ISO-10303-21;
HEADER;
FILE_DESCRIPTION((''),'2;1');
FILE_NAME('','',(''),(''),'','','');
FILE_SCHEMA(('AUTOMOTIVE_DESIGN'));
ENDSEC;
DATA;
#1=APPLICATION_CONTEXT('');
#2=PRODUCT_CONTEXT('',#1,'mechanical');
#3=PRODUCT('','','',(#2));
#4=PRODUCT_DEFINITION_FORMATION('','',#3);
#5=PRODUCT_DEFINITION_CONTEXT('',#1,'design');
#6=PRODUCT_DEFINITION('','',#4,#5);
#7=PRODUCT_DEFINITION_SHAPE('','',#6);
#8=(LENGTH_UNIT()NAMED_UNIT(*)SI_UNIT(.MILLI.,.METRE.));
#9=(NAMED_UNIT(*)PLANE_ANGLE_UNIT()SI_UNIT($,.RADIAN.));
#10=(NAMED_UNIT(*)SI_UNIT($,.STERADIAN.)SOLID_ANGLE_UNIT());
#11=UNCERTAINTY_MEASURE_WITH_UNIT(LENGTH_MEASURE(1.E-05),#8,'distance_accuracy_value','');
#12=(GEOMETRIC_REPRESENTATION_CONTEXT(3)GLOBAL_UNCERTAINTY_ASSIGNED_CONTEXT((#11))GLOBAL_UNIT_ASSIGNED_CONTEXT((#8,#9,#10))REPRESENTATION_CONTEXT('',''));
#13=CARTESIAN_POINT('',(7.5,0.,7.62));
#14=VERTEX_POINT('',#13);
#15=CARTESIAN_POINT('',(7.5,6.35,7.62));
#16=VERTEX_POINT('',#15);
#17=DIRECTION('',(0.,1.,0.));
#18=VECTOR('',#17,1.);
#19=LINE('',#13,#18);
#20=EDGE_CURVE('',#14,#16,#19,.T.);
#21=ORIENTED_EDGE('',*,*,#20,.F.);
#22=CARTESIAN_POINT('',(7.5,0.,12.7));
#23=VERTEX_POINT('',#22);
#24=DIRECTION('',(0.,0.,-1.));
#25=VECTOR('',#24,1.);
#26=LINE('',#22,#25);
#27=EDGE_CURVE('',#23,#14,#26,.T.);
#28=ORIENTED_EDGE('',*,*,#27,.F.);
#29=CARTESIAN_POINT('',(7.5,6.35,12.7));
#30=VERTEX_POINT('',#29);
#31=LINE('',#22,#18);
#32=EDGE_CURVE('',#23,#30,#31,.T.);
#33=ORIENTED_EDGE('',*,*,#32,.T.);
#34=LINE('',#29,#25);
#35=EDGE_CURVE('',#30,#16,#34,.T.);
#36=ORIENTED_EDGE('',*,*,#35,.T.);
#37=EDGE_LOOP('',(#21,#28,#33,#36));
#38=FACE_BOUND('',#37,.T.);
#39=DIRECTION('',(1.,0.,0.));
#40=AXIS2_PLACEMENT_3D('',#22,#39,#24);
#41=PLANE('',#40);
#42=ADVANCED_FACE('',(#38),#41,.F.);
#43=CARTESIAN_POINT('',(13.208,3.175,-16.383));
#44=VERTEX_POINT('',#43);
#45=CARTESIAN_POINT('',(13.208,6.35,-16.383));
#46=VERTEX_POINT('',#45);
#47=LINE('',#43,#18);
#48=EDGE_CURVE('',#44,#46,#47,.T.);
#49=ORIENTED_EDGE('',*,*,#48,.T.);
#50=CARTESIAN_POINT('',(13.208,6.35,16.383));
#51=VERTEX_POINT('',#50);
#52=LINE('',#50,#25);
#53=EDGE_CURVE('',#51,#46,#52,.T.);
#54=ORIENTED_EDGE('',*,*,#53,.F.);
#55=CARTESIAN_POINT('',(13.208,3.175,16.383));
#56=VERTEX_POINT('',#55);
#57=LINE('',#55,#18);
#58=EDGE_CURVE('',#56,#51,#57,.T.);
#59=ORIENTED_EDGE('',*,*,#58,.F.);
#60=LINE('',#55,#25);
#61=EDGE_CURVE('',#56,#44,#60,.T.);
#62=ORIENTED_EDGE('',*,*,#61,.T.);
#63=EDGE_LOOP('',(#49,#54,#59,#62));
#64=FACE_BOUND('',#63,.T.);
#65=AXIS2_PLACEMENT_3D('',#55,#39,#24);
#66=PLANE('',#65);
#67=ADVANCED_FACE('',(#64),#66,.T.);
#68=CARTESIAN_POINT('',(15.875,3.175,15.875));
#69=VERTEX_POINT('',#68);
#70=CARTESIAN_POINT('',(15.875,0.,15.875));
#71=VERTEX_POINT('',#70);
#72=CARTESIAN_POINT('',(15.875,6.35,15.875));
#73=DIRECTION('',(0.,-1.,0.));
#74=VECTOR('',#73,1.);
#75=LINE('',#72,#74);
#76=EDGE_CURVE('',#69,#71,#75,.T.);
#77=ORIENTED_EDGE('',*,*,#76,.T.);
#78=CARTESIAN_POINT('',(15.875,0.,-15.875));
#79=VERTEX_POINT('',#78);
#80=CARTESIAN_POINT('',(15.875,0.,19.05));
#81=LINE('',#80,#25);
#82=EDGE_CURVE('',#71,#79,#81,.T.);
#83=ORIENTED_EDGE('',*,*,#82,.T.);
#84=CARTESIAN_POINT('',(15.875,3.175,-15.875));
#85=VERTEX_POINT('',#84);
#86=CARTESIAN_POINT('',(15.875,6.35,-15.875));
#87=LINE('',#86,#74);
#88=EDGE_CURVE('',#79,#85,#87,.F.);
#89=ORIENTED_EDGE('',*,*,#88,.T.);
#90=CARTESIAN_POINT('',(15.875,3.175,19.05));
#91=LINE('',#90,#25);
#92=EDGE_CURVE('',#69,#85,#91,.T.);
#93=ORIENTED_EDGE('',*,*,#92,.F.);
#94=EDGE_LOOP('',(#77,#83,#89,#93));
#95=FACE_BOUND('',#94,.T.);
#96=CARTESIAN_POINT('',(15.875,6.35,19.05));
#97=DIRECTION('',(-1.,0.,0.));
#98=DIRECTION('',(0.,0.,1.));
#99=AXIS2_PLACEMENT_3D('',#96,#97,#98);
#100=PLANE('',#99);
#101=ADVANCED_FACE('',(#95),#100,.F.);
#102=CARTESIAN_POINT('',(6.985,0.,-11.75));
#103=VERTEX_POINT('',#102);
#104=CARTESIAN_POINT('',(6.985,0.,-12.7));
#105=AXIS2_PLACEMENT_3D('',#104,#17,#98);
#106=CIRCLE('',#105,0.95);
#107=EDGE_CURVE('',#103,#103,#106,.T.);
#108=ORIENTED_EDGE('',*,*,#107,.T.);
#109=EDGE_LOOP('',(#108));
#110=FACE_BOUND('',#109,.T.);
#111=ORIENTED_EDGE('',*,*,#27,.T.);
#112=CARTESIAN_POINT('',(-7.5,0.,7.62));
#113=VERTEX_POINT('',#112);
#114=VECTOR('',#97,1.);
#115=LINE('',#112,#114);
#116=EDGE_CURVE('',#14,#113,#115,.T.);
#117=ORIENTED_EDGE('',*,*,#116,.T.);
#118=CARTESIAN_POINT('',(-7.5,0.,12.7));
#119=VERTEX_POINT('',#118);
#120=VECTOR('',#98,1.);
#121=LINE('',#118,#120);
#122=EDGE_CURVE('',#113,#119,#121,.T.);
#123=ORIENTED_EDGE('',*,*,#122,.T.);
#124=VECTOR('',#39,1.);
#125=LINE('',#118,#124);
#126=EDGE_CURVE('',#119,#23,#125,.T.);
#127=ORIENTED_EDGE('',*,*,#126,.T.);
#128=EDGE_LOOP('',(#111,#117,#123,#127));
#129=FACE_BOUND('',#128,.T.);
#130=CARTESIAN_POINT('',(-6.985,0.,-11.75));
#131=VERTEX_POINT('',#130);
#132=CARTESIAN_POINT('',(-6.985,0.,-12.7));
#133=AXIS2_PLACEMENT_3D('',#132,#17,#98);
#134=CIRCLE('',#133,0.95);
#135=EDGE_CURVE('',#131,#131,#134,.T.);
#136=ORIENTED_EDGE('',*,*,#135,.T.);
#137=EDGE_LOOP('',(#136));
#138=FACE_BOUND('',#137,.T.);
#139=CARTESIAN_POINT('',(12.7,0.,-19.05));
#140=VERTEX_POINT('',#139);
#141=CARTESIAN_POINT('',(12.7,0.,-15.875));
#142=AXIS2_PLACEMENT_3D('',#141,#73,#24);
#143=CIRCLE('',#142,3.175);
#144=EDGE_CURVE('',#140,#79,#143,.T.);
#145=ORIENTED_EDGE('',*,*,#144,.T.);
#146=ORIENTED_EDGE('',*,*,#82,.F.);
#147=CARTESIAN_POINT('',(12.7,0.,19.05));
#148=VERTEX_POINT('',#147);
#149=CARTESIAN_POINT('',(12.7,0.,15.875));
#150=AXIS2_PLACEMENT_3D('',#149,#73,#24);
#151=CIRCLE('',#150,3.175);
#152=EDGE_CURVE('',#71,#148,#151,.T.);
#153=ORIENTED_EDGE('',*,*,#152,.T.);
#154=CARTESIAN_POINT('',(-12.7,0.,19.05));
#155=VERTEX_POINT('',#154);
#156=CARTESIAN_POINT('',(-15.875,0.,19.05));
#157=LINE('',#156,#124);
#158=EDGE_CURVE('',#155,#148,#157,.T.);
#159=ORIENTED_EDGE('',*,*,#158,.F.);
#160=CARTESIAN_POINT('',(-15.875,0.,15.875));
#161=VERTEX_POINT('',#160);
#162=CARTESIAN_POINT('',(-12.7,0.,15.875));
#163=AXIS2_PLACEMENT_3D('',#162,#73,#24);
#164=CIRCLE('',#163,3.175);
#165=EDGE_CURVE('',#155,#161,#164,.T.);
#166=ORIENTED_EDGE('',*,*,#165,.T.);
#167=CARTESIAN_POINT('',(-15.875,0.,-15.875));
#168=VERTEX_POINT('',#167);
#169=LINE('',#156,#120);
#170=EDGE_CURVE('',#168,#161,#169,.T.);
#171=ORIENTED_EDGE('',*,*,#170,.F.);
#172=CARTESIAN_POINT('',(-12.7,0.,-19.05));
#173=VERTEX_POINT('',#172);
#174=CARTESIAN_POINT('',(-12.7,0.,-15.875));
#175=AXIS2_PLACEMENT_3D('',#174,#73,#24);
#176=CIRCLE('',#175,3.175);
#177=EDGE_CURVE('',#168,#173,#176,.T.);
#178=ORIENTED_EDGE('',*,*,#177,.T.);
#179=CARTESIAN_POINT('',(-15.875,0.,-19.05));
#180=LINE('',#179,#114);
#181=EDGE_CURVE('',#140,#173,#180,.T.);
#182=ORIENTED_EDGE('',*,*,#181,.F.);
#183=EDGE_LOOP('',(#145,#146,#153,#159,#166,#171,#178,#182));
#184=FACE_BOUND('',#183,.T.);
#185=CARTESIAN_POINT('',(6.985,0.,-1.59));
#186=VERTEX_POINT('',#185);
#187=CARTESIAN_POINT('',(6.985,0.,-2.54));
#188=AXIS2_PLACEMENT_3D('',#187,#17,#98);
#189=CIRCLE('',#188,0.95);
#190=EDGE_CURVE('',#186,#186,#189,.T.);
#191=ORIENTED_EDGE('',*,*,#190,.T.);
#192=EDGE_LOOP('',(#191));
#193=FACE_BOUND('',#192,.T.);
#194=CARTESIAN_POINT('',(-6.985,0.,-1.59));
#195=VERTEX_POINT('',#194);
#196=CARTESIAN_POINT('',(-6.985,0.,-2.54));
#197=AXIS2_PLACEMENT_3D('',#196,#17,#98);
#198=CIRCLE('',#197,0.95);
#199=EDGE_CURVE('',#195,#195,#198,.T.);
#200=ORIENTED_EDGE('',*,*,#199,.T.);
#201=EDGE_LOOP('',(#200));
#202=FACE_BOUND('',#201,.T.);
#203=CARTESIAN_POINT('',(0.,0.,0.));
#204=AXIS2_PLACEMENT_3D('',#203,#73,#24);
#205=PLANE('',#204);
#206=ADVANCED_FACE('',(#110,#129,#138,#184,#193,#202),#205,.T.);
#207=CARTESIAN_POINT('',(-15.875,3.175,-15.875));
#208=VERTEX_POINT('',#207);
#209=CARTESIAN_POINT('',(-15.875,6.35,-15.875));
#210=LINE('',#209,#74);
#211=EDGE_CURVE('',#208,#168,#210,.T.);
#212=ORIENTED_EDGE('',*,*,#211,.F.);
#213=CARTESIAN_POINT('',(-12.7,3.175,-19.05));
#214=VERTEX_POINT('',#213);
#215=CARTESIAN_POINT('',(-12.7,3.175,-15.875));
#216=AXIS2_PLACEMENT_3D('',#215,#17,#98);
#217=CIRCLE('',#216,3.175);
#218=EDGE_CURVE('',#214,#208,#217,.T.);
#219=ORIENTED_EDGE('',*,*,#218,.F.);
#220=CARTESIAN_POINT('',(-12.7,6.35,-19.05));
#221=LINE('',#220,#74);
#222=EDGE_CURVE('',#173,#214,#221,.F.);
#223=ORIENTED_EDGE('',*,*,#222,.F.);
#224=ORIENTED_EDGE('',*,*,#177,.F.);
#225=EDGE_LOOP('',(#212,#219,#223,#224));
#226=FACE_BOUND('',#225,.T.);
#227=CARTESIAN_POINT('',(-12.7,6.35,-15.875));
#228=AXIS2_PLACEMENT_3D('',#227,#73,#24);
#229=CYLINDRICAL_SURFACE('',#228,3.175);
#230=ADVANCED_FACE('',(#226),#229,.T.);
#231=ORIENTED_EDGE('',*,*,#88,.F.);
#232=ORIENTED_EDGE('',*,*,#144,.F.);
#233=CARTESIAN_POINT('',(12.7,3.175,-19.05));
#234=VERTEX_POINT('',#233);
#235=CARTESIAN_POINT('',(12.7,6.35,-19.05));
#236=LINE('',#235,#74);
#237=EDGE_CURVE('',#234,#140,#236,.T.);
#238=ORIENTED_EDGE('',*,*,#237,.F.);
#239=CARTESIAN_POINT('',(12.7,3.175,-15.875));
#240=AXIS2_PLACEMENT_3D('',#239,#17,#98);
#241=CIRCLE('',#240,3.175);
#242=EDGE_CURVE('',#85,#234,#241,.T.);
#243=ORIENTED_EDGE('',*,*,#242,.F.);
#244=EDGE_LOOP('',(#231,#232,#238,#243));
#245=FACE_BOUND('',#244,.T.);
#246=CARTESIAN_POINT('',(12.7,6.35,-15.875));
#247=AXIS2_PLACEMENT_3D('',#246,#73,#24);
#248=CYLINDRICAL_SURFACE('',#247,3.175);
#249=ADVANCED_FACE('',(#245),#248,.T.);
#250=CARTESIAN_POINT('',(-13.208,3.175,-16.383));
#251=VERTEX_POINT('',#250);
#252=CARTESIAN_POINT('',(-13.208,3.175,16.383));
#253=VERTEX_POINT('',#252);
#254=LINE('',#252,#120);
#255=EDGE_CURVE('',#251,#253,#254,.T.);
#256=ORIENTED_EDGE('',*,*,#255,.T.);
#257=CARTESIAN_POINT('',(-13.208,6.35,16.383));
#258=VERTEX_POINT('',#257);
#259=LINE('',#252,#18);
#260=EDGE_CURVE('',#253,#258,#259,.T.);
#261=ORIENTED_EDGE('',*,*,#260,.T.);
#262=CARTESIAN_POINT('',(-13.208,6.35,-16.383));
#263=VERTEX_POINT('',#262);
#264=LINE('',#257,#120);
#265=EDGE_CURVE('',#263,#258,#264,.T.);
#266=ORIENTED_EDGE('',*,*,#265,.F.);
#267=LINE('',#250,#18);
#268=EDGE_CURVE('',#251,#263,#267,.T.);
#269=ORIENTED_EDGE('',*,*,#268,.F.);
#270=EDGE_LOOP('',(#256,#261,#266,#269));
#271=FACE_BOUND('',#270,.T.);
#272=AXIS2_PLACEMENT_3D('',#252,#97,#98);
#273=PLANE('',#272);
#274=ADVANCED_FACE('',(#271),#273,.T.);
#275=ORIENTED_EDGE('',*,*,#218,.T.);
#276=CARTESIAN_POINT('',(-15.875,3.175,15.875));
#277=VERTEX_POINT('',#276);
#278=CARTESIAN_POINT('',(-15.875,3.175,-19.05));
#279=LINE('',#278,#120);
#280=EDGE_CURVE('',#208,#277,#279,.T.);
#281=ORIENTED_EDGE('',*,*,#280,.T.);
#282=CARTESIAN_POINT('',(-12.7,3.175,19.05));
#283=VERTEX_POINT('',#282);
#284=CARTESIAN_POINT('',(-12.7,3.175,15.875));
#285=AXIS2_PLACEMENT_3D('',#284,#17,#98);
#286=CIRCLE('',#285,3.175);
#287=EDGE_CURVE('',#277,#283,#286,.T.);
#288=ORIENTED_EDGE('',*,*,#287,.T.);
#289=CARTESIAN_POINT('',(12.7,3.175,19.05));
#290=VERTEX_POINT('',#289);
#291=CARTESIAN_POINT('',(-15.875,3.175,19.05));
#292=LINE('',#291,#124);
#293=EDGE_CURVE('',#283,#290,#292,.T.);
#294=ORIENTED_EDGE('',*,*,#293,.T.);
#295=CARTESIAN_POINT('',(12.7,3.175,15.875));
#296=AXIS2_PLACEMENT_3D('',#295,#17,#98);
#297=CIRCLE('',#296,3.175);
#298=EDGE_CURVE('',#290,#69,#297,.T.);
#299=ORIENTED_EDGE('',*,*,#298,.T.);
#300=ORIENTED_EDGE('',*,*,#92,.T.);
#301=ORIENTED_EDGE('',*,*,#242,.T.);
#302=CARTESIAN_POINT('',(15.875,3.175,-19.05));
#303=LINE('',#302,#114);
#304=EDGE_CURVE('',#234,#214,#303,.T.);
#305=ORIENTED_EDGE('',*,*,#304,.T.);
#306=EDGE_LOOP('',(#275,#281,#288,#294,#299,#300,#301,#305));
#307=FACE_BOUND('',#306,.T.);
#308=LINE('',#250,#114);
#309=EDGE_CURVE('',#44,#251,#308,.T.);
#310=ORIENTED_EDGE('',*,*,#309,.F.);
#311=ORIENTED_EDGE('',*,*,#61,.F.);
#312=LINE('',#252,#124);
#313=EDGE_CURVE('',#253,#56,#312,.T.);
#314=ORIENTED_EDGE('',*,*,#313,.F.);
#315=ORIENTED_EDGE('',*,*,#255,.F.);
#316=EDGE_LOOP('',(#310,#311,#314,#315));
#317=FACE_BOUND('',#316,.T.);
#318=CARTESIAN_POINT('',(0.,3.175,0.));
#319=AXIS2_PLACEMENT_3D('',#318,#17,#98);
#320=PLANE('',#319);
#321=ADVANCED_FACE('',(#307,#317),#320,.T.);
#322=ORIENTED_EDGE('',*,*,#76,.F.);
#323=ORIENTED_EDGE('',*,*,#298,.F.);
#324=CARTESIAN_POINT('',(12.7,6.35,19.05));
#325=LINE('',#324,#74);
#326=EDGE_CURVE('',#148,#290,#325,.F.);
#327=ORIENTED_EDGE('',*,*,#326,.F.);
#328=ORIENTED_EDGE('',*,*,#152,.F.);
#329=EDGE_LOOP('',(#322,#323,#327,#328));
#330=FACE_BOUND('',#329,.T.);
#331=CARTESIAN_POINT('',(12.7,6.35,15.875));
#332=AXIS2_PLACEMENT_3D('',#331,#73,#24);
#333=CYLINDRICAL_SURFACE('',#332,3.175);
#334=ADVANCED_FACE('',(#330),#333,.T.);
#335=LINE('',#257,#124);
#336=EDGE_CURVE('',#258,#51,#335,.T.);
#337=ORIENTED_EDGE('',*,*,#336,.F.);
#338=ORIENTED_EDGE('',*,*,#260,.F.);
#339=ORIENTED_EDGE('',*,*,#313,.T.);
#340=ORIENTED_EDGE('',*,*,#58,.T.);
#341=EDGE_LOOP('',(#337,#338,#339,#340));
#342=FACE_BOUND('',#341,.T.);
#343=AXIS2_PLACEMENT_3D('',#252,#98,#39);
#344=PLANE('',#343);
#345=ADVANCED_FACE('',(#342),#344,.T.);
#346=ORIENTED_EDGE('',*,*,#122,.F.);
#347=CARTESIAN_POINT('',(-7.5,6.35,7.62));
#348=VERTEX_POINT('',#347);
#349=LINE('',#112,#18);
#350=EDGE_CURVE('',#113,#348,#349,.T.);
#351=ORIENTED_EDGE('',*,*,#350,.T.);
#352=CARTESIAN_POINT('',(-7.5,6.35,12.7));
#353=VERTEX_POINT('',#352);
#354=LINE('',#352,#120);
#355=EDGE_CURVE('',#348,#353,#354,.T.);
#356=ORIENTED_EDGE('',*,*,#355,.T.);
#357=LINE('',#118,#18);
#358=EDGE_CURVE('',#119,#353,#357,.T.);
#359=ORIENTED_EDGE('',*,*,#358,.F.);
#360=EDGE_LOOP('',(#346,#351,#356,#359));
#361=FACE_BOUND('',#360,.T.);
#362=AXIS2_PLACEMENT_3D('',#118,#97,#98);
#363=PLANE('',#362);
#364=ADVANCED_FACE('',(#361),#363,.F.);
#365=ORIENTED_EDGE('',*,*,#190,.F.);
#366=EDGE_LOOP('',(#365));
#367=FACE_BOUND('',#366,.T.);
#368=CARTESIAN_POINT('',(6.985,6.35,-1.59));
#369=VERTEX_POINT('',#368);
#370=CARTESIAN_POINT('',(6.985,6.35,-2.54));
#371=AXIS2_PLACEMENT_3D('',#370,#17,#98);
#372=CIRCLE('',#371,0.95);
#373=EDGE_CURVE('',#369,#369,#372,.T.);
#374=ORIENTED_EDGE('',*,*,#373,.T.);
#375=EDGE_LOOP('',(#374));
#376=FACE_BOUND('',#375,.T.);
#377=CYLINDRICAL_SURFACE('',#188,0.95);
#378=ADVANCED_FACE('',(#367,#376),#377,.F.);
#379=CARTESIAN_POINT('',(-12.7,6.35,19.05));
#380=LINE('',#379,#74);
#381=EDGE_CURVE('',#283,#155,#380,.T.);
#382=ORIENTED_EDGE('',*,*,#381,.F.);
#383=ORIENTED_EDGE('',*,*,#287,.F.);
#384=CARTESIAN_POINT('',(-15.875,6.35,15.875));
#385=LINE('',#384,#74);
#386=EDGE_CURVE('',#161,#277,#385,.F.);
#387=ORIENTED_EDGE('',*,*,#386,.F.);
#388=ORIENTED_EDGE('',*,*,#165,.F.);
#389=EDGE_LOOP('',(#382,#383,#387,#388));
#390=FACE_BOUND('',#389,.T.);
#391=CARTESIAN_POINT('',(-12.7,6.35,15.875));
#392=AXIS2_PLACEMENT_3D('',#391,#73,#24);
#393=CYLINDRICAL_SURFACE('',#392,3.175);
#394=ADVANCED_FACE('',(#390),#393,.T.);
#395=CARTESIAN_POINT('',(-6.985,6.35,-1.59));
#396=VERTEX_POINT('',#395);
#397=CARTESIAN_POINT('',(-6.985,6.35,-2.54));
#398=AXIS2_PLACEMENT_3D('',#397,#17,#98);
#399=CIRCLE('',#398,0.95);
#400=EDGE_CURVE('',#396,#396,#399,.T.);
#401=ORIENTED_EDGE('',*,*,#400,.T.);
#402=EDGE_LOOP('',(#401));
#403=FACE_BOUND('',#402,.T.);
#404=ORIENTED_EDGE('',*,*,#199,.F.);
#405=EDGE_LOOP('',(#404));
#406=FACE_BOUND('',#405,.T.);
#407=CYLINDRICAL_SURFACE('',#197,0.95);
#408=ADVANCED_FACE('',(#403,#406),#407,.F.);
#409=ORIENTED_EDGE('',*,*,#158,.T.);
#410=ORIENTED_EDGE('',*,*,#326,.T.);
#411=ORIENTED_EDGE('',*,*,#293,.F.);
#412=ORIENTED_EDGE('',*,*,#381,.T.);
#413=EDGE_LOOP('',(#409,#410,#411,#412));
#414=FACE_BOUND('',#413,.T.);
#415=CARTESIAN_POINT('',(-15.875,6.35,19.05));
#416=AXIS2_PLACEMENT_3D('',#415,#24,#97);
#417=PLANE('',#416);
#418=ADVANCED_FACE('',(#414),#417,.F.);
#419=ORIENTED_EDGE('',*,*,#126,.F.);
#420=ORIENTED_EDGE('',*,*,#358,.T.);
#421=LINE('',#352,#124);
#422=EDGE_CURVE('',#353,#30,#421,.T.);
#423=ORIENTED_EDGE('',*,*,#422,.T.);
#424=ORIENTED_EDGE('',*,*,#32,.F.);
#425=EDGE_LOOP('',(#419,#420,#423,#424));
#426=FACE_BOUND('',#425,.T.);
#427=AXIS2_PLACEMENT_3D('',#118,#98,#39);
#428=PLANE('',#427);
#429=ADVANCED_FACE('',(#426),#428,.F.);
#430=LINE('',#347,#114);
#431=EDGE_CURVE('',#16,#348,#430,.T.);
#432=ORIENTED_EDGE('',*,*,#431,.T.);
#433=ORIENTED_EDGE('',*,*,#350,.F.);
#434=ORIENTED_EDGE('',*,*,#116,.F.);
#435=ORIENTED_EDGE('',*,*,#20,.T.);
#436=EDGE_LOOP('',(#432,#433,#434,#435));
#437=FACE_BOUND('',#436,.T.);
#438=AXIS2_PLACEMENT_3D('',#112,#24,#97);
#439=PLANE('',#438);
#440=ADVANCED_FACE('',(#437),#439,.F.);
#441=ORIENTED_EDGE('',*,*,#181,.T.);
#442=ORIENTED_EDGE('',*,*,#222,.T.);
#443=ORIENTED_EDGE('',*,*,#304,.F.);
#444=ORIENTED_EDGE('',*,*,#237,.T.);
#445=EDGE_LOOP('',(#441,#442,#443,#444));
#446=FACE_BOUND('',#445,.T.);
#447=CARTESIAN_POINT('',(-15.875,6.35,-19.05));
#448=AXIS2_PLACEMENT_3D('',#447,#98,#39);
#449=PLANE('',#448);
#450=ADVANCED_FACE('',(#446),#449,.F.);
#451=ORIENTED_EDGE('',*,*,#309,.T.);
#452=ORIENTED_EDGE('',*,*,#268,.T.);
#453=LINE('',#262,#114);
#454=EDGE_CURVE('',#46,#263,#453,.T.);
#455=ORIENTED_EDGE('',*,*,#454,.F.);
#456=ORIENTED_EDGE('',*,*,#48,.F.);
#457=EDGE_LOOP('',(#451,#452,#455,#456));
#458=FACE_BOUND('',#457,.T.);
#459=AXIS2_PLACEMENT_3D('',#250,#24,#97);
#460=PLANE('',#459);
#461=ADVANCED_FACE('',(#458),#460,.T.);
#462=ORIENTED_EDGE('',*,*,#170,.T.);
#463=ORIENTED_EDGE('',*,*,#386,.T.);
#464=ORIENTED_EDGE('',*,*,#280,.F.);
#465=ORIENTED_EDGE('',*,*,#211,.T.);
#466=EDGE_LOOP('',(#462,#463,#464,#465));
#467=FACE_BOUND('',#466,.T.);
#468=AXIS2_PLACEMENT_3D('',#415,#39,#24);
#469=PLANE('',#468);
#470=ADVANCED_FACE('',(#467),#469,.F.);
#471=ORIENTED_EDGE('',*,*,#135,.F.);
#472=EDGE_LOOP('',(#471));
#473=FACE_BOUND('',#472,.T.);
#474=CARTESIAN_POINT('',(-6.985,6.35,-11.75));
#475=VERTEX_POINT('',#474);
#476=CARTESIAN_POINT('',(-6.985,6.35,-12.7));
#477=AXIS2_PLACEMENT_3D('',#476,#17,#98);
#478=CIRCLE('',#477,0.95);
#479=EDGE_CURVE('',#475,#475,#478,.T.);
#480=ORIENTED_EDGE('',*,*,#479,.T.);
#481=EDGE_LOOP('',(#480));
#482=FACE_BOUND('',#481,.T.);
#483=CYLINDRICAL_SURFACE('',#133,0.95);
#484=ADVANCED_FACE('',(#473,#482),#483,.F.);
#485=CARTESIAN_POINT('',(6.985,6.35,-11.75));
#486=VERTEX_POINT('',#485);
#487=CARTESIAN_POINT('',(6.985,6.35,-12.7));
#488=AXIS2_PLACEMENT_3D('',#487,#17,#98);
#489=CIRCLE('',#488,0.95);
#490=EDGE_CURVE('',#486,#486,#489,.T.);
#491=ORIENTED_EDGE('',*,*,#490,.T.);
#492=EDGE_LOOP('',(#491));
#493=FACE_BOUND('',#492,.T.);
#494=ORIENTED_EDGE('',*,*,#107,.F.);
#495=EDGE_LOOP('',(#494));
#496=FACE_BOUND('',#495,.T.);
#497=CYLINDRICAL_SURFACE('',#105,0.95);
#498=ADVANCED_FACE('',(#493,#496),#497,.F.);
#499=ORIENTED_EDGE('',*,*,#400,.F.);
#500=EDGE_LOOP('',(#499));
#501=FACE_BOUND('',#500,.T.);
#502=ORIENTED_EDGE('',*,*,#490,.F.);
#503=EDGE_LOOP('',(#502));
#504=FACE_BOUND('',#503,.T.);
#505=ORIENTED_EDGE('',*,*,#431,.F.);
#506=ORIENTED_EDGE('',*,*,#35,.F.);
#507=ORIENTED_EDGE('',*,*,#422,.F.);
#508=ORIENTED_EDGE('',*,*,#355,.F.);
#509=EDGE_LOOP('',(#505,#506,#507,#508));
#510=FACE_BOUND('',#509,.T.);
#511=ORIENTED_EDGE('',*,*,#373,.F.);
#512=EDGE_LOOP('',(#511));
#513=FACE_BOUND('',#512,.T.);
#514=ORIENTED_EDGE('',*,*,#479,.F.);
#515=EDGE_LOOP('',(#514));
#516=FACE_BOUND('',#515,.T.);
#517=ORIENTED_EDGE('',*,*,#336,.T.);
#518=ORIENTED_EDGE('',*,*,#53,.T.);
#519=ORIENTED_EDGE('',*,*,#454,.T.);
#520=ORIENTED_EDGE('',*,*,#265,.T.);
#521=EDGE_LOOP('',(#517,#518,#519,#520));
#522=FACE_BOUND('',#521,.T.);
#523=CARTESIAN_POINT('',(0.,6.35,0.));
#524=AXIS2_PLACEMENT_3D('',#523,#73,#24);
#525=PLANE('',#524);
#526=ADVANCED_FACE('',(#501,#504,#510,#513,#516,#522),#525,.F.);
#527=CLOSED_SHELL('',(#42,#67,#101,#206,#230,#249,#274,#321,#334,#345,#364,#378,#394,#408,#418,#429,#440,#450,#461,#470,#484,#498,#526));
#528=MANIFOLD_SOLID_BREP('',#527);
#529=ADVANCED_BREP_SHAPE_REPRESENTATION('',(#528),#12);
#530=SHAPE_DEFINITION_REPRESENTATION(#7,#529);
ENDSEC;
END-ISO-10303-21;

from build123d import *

# Parameters (mm, degrees)
SKETCH1_W           = 31.75
SKETCH1_H           = 38.1
BOSS_EXTRUDE1_DEPTH = 6.35
SKETCH2_R           = 0.95
CUT_EXTRUDE1_DEPTH  = 26.597668351
SKETCH3_W           = 15
SKETCH3_H           = 5.08
CUT_EXTRUDE2_DEPTH  = 26.597668351
SKETCH4_W           = 31.75
SKETCH4_H           = 38.1
SKETCH4_W_2         = 26.416
SKETCH4_H_2         = 32.766
CUT_EXTRUDE3_DEPTH  = 3.175
FILLET1_R           = 3.175


with BuildPart() as part:
    # Sketch1 → Boss-Extrude1 (new body)
    with BuildSketch(Plane(origin=(0, 0, 0), x_dir=(1, 0, 0), z_dir=(0, 1, 0))):
        Rectangle(SKETCH1_W, SKETCH1_H)
    extrude(amount=BOSS_EXTRUDE1_DEPTH)

    # Sketch2 → Cut-Extrude1 (cut, through all)
    with BuildSketch(Plane(origin=(0, 6.35, 0), x_dir=(1, 0, 0), z_dir=(0, 1, 0))):
        with Locations(Location((-6.985, 2.54, 0), (0, 0, 270))):
            Circle(SKETCH2_R)
        with Locations(Location((6.985, 2.54, 0), (0, 0, 270))):
            Circle(SKETCH2_R)
        with Locations(Location((-6.985, 12.7, 0), (0, 0, 270))):
            Circle(SKETCH2_R)
        with Locations(Location((6.985, 12.7, 0), (0, 0, 270))):
            Circle(SKETCH2_R)
    extrude(amount=-CUT_EXTRUDE1_DEPTH, mode=Mode.SUBTRACT)

    # Sketch3 → Cut-Extrude2 (cut, through all)
    with BuildSketch(Plane(origin=(0, 6.35, 0), x_dir=(1, 0, 0), z_dir=(0, 1, 0))):
        with Locations((0, -10.16)):
            Rectangle(SKETCH3_W, SKETCH3_H)
    extrude(amount=-CUT_EXTRUDE2_DEPTH, mode=Mode.SUBTRACT)

    # Sketch4 → Cut-Extrude3 (cut)
    with BuildSketch(Plane(origin=(0, 6.35, 0), x_dir=(1, 0, 0), z_dir=(0, 1, 0))):
        Rectangle(SKETCH4_W, SKETCH4_H)
        Rectangle(SKETCH4_W_2, SKETCH4_H_2, mode=Mode.SUBTRACT)
    extrude(amount=-CUT_EXTRUDE3_DEPTH, mode=Mode.SUBTRACT)

    # Fillet1
    fillet1_edges = [part.edges().sort_by_distance(p)[0] for p in [
        (15.875, 1.5875, 19.05),
        (-15.875, 1.5875, 19.05),
        (-15.875, 1.5875, -19.05),
        (15.875, 1.5875, -19.05),
    ]]
    fillet(fillet1_edges, radius=FILLET1_R)


solid = part.part
